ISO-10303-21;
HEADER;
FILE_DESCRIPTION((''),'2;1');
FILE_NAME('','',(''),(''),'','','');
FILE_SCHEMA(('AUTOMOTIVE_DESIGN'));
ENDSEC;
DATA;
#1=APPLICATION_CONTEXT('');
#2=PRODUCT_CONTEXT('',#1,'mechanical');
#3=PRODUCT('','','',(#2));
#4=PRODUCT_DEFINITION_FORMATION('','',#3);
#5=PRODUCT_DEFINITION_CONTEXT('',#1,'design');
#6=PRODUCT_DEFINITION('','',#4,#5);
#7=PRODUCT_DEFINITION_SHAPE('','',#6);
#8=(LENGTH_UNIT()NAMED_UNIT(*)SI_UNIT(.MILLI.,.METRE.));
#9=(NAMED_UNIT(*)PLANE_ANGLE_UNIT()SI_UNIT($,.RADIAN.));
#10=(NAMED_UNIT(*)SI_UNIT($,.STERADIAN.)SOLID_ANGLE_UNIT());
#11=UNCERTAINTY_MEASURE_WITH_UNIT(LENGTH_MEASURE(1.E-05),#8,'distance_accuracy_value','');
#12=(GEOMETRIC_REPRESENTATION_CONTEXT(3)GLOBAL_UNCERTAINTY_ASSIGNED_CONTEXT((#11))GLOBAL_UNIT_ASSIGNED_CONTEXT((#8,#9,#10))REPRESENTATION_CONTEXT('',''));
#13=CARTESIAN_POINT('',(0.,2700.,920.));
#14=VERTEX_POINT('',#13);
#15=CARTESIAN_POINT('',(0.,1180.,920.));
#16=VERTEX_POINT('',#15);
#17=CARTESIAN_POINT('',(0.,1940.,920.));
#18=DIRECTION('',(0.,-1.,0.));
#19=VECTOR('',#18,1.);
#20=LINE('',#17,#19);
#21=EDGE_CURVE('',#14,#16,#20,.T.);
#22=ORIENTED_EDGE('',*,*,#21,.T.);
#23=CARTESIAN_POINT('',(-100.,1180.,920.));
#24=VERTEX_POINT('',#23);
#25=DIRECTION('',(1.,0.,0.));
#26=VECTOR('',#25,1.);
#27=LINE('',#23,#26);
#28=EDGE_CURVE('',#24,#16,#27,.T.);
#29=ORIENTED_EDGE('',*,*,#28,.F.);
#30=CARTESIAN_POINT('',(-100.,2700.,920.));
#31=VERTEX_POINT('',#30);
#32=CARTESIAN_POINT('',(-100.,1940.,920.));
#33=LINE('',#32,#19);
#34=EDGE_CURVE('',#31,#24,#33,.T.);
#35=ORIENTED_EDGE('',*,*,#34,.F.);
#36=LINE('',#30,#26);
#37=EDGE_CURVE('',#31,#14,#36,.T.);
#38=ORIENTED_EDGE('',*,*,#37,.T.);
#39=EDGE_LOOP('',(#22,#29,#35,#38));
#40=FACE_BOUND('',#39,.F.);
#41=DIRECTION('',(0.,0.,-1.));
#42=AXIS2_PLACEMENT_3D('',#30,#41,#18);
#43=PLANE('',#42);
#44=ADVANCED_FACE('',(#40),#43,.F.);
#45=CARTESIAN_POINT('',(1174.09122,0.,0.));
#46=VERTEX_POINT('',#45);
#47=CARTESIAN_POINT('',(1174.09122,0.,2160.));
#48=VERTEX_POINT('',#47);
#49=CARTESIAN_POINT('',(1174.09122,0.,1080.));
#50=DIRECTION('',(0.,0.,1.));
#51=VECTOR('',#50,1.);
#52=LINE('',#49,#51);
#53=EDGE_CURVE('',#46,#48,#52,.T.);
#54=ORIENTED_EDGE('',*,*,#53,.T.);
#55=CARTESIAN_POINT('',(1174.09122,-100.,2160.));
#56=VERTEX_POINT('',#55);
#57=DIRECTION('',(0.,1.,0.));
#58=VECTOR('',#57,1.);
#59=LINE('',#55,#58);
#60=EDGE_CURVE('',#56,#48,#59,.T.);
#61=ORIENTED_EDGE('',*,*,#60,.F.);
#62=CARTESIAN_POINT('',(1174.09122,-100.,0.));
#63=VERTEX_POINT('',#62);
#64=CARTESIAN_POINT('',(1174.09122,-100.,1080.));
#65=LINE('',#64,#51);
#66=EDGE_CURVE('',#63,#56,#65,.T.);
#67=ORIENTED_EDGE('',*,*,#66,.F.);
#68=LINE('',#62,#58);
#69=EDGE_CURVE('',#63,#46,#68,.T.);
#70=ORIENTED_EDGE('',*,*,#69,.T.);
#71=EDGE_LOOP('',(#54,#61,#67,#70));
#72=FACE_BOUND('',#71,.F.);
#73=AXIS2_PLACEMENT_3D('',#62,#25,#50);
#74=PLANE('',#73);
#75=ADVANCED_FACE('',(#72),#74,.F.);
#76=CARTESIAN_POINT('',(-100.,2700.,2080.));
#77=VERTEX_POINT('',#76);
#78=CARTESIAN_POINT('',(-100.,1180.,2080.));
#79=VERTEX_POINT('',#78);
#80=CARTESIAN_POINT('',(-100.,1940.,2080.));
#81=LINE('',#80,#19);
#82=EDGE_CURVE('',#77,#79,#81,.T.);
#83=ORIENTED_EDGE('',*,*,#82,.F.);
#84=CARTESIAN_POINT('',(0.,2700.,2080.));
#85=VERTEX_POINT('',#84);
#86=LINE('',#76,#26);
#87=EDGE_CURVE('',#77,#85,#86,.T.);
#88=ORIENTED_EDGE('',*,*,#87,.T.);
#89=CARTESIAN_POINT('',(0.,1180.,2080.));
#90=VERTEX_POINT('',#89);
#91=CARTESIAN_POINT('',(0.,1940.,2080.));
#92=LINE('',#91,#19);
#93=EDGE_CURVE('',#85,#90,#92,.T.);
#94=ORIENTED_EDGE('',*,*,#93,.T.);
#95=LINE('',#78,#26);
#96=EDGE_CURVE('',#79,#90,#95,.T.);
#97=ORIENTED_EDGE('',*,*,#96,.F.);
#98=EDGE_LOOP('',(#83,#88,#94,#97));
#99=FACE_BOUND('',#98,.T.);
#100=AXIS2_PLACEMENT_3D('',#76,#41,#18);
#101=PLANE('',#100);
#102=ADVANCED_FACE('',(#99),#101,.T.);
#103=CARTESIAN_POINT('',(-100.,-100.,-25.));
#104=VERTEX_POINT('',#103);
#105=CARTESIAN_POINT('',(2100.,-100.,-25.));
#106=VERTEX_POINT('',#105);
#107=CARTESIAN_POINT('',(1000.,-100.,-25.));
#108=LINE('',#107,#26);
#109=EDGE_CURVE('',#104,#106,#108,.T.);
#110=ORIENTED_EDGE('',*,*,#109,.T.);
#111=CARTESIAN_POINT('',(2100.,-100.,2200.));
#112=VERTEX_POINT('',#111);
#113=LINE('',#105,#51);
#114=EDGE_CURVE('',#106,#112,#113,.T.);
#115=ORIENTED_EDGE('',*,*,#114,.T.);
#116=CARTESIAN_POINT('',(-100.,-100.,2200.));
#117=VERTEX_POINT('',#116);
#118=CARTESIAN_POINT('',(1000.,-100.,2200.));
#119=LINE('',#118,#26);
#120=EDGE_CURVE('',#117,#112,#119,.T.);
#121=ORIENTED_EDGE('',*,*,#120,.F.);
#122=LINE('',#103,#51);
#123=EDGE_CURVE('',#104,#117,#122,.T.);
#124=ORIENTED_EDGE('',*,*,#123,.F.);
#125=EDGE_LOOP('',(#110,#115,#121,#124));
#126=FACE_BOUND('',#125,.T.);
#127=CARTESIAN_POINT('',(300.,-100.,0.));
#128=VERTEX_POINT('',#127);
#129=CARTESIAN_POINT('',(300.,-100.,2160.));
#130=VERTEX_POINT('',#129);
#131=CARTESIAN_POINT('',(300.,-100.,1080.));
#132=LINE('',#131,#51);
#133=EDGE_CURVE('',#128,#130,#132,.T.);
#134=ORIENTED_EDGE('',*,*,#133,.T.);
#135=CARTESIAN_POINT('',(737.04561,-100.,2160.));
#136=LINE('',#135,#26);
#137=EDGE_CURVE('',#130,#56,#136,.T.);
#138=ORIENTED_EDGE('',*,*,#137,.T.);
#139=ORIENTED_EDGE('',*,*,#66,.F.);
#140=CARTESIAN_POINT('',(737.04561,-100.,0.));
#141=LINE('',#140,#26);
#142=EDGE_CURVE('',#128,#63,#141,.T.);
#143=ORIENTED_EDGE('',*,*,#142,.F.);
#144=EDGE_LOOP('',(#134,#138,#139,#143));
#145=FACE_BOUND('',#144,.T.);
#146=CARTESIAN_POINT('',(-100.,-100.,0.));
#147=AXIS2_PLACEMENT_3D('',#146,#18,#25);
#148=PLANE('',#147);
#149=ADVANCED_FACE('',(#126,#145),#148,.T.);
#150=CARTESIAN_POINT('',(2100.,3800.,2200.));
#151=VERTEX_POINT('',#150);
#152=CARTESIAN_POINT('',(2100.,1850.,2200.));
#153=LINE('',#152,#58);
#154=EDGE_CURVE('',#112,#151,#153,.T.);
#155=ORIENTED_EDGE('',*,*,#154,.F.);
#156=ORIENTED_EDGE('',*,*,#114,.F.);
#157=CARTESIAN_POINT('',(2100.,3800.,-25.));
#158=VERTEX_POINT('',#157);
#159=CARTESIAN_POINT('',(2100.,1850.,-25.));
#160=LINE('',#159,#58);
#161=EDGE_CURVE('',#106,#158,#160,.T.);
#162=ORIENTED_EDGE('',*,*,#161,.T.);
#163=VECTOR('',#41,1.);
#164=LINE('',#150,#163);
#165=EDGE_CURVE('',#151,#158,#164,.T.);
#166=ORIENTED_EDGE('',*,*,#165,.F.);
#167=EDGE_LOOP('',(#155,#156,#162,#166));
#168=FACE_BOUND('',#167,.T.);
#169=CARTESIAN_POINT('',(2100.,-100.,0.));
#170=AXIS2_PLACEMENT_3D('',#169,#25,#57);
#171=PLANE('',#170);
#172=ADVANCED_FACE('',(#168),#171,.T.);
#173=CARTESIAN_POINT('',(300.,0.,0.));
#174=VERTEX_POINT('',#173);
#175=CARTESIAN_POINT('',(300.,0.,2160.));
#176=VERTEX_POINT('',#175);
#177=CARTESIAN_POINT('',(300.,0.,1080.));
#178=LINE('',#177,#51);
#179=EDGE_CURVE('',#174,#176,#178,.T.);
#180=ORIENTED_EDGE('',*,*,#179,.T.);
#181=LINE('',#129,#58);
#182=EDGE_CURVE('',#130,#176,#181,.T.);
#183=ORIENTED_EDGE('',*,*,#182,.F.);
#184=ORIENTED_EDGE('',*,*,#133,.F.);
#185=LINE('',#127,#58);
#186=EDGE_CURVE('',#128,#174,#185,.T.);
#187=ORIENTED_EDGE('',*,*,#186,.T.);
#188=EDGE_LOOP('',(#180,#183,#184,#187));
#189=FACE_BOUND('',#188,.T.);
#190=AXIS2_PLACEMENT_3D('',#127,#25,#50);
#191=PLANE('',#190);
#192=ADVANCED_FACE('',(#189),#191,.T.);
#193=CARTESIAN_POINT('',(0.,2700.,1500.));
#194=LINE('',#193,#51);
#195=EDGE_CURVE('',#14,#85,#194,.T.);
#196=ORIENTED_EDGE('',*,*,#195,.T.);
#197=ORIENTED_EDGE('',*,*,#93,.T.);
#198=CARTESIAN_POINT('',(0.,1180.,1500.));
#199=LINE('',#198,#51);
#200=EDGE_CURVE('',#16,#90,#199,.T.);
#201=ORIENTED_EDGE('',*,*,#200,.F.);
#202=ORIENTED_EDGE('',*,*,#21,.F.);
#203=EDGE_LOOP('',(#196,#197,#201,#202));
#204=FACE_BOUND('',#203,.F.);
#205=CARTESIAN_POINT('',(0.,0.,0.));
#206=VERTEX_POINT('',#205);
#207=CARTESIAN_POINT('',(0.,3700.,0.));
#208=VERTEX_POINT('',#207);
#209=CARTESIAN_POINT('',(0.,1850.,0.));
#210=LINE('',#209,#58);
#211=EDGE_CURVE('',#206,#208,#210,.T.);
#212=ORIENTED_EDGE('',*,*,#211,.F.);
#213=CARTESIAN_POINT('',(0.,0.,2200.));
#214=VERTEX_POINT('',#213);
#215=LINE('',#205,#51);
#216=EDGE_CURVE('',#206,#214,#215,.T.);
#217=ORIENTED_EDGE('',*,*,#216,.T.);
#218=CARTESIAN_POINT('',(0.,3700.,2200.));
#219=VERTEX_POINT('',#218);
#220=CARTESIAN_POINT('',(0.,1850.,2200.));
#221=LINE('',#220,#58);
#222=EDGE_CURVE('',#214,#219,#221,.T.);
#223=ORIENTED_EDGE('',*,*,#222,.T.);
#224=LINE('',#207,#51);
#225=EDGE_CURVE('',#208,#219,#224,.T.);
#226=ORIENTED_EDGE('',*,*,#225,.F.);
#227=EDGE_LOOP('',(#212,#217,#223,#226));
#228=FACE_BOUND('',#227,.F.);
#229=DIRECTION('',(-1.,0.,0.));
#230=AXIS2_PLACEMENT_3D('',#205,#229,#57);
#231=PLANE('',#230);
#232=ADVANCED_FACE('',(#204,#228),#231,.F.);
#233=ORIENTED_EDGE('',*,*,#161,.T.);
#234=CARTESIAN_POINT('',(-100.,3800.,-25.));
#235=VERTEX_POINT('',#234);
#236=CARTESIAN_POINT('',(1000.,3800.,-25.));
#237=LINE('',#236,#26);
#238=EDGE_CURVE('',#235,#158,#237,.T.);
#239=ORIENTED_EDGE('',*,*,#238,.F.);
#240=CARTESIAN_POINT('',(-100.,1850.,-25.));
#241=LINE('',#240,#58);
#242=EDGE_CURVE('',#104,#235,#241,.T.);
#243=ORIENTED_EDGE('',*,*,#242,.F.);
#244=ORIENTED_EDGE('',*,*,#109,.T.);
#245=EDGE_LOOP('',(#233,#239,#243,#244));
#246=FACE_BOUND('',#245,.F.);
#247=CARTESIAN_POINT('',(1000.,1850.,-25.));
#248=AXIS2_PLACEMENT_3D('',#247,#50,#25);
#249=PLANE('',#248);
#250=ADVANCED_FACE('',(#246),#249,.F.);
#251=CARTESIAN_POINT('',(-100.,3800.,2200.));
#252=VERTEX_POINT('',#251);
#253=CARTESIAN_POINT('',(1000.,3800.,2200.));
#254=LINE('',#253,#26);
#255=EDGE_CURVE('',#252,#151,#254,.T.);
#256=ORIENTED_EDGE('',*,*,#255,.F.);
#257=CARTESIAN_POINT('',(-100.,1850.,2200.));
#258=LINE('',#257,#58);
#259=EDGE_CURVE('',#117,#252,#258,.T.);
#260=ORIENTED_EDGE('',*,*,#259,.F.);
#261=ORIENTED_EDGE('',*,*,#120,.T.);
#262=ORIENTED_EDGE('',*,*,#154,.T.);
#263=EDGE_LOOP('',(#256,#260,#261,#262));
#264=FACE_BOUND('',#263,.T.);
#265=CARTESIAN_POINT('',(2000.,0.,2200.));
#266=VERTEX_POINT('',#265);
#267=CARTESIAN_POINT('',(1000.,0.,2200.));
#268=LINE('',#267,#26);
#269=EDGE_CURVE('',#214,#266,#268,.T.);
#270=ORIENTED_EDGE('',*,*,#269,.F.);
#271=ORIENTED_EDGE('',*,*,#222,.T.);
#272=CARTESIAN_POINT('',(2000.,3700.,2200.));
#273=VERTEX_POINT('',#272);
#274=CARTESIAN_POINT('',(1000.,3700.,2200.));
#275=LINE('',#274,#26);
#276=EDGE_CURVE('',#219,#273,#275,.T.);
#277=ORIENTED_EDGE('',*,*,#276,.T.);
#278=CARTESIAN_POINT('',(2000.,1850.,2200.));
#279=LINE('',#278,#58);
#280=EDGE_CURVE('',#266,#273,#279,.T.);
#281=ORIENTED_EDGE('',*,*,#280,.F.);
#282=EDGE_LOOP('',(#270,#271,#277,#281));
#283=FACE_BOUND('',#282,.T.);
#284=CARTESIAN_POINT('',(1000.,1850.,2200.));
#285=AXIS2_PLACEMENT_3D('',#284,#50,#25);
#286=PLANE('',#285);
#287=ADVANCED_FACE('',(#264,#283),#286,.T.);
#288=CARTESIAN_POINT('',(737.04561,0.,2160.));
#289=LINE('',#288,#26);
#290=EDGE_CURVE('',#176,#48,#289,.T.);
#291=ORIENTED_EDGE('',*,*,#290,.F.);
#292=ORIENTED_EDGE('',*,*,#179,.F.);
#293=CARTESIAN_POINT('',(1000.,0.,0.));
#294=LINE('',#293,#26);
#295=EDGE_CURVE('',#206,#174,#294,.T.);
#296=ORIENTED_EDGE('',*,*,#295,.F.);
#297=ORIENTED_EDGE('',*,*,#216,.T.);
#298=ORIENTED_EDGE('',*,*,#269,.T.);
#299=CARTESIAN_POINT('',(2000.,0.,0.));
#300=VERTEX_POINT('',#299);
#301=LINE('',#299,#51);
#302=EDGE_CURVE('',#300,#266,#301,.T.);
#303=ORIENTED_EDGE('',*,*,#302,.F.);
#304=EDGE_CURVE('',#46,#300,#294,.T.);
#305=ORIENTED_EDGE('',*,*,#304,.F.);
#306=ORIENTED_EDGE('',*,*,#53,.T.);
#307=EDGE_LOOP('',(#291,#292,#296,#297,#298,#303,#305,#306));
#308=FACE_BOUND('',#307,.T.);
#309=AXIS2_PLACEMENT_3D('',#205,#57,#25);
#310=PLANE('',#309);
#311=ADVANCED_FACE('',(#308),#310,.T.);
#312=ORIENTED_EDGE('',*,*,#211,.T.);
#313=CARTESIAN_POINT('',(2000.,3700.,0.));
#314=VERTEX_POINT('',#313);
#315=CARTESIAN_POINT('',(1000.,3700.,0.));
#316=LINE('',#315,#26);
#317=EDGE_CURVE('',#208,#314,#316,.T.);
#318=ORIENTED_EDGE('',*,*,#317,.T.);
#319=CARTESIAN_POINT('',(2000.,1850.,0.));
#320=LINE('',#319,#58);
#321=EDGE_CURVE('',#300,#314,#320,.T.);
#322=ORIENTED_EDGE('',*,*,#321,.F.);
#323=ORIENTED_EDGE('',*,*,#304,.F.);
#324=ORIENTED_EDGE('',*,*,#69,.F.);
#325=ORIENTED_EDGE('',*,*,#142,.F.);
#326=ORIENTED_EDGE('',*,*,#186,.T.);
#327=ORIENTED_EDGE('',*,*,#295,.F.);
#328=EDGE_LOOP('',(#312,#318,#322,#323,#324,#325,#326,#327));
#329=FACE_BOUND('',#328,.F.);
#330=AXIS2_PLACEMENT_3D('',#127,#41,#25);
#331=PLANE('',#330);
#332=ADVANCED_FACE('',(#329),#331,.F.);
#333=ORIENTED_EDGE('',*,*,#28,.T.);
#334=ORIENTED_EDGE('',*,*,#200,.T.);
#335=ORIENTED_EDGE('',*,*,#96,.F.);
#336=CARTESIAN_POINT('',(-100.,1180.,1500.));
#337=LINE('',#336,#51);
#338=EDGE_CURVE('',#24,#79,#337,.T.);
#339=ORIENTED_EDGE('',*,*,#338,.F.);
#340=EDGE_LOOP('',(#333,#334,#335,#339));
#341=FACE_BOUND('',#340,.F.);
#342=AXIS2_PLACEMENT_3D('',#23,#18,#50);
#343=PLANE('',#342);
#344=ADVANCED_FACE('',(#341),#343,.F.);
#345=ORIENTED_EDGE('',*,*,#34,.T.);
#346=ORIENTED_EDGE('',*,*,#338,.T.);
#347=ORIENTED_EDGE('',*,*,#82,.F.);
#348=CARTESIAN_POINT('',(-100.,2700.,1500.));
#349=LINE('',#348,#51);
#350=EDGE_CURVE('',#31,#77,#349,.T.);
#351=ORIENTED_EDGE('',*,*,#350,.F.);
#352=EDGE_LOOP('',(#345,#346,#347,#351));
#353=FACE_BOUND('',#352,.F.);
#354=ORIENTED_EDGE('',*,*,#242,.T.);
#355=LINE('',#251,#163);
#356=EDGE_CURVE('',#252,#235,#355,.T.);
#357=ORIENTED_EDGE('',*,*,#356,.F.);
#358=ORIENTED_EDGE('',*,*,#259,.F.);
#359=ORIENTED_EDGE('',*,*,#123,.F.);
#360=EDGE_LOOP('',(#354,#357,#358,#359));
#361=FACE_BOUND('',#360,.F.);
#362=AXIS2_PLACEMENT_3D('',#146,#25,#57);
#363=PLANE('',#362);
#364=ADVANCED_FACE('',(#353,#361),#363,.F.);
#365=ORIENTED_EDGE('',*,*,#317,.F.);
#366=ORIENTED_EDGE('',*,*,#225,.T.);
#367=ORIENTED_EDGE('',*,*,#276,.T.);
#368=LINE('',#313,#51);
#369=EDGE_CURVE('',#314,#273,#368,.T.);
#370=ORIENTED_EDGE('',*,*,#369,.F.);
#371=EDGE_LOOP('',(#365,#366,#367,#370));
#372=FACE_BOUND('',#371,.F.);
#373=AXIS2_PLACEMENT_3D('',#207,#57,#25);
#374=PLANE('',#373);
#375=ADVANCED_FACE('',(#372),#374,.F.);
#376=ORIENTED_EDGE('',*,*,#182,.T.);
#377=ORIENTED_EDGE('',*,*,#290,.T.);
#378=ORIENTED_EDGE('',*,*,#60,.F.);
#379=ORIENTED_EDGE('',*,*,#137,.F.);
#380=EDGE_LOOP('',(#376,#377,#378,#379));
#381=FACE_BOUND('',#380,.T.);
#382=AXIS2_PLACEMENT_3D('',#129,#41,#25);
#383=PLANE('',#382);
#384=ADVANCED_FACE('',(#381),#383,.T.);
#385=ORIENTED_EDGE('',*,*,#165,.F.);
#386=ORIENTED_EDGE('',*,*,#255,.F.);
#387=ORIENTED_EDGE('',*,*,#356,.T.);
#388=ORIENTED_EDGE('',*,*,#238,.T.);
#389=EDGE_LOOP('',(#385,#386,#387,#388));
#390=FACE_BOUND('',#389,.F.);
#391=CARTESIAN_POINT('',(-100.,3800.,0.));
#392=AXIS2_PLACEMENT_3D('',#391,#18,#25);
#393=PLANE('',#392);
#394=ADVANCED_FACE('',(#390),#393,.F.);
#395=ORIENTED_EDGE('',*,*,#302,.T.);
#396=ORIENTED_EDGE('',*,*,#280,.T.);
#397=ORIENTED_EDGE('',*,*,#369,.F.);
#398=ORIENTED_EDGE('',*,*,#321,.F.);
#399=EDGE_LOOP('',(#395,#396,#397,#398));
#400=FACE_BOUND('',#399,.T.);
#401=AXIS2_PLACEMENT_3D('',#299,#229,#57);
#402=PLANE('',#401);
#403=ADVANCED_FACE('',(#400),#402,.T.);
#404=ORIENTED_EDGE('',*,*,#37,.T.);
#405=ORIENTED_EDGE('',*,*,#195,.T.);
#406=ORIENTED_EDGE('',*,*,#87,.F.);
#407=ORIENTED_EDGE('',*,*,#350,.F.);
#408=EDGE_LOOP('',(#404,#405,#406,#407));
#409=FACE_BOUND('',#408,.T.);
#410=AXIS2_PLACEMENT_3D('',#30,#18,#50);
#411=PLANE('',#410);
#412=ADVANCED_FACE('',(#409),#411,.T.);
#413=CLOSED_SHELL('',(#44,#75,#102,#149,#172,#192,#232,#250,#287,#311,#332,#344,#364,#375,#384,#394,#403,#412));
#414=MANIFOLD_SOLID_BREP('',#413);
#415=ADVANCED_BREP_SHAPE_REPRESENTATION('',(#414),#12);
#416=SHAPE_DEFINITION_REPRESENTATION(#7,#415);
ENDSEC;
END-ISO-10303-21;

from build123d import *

# Parameters (mm, degrees)
F0_W     = 2200
F0_H     = 3900
F0_W_2   = 2000
F0_H_2   = 3700
F1_DEPTH = 2200
F2_DEPTH = 25
F3_W     = 874.091219902
F3_H     = 2160
F4_DEPTH = 100
F5_W     = 1520
F5_H     = 1160
F6_DEPTH = 100


with BuildPart() as f1:
    # F0 (on Top) → F1 (new body)
    with BuildSketch(Plane.XY):
        with Locations((1000, 1850)):
            Rectangle(F0_W, F0_H)
        with Locations((1000, 1850)):
            Rectangle(F0_W_2, F0_H_2, mode=Mode.SUBTRACT)
    extrude(amount=F1_DEPTH)

    # F0 (on Top) → F2 (join)
    with BuildSketch(Plane.XY):
        with Locations((1000, 1850)):
            Rectangle(F0_W, F0_H)
        with Locations((1000, 1850)):
            Rectangle(F0_W_2, F0_H_2, mode=Mode.SUBTRACT)
        with Locations((1000, 1850)):
            Rectangle(F0_W_2, F0_H_2)
    extrude(amount=-F2_DEPTH)

    # F3 (on face) → F4 (cut, through all)
    with BuildSketch(Plane.XZ.offset(100)):
        with Locations((737.045609951, 1080)):
            Rectangle(F3_W, F3_H)
    extrude(amount=-F4_DEPTH, mode=Mode.SUBTRACT)

    # F5 (on face) → F6 (cut, through all)
    with BuildSketch(Plane(origin=(-100, 0, 0), x_dir=(0, -1, 0), z_dir=(-1, 0, 0))):
        with Locations((-1940, 1500)):
            Rectangle(F5_W, F5_H)
    extrude(amount=-F6_DEPTH, mode=Mode.SUBTRACT)


solid = f1.part
